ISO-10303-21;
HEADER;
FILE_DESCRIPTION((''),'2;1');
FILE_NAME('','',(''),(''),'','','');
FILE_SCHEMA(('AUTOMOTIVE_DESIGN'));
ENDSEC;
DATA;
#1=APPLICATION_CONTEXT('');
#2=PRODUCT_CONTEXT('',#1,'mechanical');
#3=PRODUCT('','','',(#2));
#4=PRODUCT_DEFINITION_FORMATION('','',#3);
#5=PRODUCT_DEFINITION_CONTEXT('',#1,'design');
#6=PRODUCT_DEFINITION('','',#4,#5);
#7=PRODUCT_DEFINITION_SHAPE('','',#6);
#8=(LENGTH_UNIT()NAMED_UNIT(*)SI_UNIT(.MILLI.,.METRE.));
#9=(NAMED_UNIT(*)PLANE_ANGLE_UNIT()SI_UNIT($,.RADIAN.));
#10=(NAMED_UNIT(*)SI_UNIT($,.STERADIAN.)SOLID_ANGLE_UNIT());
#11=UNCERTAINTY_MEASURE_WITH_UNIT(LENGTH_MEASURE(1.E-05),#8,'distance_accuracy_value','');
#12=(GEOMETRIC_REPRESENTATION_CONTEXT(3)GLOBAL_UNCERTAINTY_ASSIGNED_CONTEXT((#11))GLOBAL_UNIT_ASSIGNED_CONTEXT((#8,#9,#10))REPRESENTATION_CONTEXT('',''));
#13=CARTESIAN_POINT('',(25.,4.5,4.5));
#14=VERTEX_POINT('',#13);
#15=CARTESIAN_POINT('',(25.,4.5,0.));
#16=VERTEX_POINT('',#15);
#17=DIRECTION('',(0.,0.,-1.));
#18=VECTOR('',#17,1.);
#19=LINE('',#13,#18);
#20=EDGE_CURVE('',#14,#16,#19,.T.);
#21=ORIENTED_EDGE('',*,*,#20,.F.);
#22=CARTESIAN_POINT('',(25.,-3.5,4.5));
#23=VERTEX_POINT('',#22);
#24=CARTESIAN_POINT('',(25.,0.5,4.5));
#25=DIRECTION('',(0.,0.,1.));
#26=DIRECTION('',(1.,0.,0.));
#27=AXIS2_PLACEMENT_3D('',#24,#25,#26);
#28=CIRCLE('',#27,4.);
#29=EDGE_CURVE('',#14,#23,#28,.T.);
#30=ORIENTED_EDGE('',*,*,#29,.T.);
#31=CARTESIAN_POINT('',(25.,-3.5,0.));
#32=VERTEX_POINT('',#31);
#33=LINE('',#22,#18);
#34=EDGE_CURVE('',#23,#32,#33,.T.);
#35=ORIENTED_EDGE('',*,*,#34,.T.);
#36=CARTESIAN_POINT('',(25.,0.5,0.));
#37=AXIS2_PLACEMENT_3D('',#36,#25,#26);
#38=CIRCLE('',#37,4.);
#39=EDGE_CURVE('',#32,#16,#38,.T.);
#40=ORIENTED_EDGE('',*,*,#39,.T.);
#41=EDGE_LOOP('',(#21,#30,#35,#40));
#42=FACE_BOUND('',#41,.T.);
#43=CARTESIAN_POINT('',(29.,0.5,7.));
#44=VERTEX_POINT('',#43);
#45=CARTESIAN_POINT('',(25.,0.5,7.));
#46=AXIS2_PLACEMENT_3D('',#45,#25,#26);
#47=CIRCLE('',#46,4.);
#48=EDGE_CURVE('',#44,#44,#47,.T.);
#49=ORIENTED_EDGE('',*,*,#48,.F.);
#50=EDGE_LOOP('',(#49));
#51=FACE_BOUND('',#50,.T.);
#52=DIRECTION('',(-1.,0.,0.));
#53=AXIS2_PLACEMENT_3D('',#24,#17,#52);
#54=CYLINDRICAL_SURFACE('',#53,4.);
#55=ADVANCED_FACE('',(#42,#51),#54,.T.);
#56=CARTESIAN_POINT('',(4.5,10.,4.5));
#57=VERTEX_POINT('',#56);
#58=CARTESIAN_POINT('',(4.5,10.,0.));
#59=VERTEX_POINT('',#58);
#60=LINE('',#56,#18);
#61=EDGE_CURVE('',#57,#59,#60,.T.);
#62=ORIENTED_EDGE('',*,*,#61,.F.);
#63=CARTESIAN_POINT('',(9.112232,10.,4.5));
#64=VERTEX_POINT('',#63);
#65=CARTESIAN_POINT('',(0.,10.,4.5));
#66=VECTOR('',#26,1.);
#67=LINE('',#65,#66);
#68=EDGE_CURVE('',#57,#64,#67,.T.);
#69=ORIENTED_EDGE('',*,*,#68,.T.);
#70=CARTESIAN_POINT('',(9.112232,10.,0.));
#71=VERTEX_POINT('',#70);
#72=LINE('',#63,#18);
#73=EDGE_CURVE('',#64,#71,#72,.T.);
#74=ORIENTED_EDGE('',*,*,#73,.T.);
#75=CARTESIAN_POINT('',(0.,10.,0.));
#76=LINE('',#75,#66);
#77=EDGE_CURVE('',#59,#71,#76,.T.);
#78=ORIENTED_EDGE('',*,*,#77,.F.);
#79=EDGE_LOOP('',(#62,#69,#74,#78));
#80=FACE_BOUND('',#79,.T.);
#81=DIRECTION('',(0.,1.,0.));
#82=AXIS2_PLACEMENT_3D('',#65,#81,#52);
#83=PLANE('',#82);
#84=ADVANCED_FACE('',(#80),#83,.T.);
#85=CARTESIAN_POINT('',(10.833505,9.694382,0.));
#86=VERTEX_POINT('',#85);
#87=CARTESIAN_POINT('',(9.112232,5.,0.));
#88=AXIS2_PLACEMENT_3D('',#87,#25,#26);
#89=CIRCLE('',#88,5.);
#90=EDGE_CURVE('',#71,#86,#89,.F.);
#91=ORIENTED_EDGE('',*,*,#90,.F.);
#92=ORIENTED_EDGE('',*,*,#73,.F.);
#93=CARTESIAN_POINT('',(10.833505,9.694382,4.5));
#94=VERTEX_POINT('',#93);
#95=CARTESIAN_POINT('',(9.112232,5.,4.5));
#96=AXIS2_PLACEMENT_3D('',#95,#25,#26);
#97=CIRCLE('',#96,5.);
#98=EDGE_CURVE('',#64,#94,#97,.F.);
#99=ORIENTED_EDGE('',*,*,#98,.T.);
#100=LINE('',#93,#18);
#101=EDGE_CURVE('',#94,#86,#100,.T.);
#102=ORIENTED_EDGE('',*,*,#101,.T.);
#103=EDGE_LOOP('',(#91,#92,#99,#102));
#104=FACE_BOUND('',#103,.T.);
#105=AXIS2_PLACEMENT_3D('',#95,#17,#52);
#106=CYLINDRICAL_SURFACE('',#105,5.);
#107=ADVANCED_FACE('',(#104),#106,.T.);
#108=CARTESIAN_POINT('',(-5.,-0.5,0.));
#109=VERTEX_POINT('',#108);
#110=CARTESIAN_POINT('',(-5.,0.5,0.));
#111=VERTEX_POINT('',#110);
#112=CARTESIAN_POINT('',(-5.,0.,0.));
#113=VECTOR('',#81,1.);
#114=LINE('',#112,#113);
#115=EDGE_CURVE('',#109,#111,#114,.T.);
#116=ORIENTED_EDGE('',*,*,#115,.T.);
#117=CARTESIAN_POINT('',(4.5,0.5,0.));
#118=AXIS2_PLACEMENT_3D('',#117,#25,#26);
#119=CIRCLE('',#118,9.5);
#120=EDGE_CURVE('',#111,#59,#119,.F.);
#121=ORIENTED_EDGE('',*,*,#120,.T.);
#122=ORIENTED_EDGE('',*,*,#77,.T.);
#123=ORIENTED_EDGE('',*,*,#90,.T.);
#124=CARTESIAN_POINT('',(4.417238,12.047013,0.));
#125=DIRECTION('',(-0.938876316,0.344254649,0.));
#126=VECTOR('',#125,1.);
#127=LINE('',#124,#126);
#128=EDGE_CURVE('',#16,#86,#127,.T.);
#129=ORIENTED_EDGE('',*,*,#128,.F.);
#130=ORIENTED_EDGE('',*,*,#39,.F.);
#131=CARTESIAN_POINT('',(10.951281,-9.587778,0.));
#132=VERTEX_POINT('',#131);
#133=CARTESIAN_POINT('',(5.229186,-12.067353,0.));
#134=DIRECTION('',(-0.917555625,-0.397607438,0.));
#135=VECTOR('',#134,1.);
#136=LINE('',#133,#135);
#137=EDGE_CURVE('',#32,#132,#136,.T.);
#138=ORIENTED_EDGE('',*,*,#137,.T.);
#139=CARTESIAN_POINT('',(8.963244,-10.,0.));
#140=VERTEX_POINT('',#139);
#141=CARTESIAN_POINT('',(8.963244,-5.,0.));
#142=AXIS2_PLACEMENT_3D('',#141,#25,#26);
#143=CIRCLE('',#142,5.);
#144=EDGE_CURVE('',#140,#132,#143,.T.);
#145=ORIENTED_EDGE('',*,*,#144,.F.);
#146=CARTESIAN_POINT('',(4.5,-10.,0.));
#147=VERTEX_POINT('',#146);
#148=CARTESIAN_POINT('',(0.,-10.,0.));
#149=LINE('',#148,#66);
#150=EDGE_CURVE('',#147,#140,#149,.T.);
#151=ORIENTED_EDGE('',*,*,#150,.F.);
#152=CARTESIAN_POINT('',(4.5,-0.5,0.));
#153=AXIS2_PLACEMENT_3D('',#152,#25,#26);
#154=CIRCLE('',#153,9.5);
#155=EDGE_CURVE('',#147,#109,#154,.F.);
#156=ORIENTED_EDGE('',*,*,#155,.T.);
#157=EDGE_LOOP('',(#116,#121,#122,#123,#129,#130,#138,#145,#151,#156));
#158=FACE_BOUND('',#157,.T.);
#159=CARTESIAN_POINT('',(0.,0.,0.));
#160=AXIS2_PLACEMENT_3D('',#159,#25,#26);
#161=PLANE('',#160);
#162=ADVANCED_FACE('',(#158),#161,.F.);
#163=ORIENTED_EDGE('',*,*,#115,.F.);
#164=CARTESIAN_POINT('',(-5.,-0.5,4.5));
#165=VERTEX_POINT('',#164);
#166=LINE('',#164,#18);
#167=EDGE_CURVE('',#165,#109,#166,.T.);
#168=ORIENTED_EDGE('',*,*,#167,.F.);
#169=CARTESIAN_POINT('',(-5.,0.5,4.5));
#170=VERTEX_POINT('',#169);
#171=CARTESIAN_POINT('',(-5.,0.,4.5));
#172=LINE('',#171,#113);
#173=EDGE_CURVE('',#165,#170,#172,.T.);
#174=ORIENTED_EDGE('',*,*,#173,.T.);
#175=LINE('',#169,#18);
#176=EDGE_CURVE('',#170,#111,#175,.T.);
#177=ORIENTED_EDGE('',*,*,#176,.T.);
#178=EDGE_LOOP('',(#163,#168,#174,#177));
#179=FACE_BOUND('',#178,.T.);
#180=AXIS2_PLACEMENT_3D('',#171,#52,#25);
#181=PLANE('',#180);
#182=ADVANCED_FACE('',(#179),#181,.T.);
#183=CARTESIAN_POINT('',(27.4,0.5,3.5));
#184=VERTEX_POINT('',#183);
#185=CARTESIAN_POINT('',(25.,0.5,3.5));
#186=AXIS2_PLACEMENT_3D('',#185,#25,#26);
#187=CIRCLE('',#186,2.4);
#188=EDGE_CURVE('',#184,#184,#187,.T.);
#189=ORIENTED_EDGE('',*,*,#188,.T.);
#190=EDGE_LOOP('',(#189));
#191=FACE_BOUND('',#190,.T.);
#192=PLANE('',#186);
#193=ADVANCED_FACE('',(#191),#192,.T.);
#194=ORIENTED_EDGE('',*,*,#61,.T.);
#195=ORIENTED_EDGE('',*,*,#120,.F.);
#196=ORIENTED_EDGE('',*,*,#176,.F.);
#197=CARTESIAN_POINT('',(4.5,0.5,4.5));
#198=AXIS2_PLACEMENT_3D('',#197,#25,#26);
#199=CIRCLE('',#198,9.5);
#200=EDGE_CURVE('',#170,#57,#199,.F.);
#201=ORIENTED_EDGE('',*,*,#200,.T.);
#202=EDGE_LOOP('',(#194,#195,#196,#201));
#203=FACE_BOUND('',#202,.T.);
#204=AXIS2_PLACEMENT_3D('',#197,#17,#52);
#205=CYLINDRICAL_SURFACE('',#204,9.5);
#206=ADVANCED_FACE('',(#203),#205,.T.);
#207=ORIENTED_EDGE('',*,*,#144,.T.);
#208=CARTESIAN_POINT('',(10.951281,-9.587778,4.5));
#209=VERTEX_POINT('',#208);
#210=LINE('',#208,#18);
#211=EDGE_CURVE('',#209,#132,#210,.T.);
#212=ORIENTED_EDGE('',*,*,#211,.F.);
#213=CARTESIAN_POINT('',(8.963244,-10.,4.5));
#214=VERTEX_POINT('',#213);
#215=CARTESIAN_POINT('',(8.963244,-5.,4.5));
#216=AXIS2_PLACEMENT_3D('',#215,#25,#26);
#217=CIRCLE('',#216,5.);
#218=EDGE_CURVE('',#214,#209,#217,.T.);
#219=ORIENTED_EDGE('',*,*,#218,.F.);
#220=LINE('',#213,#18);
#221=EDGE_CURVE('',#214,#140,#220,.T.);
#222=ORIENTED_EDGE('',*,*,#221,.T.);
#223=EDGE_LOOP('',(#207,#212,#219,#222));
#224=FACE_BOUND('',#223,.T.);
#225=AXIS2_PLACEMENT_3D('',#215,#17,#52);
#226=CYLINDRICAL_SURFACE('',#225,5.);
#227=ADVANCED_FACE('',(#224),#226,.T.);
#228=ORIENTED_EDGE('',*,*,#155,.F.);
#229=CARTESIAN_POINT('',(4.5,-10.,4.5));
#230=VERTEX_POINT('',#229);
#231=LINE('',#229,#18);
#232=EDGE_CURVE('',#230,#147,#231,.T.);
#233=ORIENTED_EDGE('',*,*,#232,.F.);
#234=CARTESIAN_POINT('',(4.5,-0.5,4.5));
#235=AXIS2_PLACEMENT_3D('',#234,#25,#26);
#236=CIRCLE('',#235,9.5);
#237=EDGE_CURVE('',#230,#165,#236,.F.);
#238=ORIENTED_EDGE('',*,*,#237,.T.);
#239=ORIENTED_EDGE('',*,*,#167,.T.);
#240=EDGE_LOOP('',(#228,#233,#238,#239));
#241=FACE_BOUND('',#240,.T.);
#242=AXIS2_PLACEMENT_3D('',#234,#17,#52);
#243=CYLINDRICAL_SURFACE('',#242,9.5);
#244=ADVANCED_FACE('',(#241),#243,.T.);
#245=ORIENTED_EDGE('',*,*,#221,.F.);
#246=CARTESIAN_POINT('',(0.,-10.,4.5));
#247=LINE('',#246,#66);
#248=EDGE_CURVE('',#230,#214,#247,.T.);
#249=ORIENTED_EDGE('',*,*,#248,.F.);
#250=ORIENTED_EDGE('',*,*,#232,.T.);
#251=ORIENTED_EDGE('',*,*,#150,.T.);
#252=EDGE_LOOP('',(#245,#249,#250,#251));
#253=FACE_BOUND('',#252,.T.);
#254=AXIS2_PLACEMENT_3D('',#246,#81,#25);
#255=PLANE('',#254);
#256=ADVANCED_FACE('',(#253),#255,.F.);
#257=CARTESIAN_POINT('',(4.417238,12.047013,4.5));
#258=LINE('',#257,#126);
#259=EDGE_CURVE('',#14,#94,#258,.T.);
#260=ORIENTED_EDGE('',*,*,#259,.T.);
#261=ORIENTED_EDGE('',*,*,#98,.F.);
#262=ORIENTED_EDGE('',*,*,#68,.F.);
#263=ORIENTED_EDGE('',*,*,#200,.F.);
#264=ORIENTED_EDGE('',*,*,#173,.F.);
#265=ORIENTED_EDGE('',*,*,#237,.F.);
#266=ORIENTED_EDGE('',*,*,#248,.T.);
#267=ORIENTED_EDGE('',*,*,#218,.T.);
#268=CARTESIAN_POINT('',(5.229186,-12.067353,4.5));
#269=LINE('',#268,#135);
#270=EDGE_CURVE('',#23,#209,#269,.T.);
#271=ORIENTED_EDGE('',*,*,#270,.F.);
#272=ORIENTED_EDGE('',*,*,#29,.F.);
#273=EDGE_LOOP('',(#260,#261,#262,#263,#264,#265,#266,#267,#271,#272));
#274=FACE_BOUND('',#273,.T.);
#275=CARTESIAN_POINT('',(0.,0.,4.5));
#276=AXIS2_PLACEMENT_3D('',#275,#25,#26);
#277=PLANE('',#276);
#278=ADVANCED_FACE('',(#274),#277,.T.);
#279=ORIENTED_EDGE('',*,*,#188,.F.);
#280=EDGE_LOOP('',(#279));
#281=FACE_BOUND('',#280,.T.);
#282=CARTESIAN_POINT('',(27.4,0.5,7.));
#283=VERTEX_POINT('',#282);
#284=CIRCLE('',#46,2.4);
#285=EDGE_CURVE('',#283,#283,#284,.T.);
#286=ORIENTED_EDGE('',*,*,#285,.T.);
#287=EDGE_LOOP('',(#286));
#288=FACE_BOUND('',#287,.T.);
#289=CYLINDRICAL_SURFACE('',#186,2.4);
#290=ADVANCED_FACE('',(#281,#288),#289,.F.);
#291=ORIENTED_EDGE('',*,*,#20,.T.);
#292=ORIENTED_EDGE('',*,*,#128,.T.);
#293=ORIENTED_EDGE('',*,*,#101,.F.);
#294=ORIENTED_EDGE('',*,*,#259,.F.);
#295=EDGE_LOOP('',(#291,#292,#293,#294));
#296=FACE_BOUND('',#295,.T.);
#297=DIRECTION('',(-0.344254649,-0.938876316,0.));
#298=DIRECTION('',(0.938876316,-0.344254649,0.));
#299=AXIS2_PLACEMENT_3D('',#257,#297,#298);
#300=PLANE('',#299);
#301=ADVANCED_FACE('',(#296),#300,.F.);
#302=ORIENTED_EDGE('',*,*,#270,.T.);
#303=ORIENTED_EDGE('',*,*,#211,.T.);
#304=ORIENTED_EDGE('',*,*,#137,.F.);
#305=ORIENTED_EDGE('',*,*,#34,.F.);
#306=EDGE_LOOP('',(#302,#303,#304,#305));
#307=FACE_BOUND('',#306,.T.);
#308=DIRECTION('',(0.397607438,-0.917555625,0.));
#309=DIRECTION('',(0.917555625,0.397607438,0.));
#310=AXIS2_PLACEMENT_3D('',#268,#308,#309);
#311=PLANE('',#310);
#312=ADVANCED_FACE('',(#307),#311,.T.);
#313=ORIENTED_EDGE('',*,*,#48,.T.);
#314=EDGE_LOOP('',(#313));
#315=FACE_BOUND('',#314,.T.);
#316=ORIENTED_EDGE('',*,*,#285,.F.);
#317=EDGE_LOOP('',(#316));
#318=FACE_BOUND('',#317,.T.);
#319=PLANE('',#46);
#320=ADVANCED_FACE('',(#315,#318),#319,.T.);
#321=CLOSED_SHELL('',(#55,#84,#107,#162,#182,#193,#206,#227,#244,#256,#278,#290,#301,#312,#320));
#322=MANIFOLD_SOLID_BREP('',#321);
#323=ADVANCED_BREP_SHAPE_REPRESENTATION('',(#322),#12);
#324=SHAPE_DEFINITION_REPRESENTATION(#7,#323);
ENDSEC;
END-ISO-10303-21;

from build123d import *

# Parameters (mm, degrees)
RESSALTO_EXTRUS_O1_DEPTH = 4.5
ESBO_O3_R                = 4
RESSALTO_EXTRUS_O2_DEPTH = 2.5
ESBO_O5_R                = 2.4
CORTE_EXTRUS_O1_DEPTH    = 3.5


with BuildPart() as part:
    # Esboço1 → Ressalto-extrusão1 (new body)
    with BuildSketch(Plane.XY):
        with BuildLine():
            ThreePointArc((-5, -0.5), (-2.217514421, -7.217514421), (4.5, -10))
            Line((4.5, -10), (8.963244058, -10))
            ThreePointArc((8.963244058, -10), (9.978406451, -9.895860018), (10.951281246, -9.587778127))
            Line((10.951281246, -9.587778127), (25, -3.5))
            ThreePointArc((25, -3.5), (29, 0.5), (25, 4.5))
            Line((25, 4.5), (10.833504783, 9.694381579))
            ThreePointArc((10.833504783, 9.694381579), (9.986328816, 9.923002534), (9.112231538, 10))
            Line((9.112231538, 10), (4.5, 10))
            ThreePointArc((4.5, 10), (-2.217514421, 7.217514421), (-5, 0.5))
            Line((-5, 0.5), (-5, -0.5))
        make_face()
    extrude(amount=RESSALTO_EXTRUS_O1_DEPTH)

    # Esboço3 → Ressalto-extrusão2 (add)
    with BuildSketch(Plane.XY.offset(4.5)):
        with Locations((25, 0.5)):
            Circle(ESBO_O3_R)
    extrude(amount=RESSALTO_EXTRUS_O2_DEPTH)

    # Esboço5 → Corte-extrusão1 (cut)
    with BuildSketch(Plane.XY.offset(7)):
        with Locations((25, 0.5)):
            Circle(ESBO_O5_R)
    extrude(amount=-CORTE_EXTRUS_O1_DEPTH, mode=Mode.SUBTRACT)


solid = part.part
